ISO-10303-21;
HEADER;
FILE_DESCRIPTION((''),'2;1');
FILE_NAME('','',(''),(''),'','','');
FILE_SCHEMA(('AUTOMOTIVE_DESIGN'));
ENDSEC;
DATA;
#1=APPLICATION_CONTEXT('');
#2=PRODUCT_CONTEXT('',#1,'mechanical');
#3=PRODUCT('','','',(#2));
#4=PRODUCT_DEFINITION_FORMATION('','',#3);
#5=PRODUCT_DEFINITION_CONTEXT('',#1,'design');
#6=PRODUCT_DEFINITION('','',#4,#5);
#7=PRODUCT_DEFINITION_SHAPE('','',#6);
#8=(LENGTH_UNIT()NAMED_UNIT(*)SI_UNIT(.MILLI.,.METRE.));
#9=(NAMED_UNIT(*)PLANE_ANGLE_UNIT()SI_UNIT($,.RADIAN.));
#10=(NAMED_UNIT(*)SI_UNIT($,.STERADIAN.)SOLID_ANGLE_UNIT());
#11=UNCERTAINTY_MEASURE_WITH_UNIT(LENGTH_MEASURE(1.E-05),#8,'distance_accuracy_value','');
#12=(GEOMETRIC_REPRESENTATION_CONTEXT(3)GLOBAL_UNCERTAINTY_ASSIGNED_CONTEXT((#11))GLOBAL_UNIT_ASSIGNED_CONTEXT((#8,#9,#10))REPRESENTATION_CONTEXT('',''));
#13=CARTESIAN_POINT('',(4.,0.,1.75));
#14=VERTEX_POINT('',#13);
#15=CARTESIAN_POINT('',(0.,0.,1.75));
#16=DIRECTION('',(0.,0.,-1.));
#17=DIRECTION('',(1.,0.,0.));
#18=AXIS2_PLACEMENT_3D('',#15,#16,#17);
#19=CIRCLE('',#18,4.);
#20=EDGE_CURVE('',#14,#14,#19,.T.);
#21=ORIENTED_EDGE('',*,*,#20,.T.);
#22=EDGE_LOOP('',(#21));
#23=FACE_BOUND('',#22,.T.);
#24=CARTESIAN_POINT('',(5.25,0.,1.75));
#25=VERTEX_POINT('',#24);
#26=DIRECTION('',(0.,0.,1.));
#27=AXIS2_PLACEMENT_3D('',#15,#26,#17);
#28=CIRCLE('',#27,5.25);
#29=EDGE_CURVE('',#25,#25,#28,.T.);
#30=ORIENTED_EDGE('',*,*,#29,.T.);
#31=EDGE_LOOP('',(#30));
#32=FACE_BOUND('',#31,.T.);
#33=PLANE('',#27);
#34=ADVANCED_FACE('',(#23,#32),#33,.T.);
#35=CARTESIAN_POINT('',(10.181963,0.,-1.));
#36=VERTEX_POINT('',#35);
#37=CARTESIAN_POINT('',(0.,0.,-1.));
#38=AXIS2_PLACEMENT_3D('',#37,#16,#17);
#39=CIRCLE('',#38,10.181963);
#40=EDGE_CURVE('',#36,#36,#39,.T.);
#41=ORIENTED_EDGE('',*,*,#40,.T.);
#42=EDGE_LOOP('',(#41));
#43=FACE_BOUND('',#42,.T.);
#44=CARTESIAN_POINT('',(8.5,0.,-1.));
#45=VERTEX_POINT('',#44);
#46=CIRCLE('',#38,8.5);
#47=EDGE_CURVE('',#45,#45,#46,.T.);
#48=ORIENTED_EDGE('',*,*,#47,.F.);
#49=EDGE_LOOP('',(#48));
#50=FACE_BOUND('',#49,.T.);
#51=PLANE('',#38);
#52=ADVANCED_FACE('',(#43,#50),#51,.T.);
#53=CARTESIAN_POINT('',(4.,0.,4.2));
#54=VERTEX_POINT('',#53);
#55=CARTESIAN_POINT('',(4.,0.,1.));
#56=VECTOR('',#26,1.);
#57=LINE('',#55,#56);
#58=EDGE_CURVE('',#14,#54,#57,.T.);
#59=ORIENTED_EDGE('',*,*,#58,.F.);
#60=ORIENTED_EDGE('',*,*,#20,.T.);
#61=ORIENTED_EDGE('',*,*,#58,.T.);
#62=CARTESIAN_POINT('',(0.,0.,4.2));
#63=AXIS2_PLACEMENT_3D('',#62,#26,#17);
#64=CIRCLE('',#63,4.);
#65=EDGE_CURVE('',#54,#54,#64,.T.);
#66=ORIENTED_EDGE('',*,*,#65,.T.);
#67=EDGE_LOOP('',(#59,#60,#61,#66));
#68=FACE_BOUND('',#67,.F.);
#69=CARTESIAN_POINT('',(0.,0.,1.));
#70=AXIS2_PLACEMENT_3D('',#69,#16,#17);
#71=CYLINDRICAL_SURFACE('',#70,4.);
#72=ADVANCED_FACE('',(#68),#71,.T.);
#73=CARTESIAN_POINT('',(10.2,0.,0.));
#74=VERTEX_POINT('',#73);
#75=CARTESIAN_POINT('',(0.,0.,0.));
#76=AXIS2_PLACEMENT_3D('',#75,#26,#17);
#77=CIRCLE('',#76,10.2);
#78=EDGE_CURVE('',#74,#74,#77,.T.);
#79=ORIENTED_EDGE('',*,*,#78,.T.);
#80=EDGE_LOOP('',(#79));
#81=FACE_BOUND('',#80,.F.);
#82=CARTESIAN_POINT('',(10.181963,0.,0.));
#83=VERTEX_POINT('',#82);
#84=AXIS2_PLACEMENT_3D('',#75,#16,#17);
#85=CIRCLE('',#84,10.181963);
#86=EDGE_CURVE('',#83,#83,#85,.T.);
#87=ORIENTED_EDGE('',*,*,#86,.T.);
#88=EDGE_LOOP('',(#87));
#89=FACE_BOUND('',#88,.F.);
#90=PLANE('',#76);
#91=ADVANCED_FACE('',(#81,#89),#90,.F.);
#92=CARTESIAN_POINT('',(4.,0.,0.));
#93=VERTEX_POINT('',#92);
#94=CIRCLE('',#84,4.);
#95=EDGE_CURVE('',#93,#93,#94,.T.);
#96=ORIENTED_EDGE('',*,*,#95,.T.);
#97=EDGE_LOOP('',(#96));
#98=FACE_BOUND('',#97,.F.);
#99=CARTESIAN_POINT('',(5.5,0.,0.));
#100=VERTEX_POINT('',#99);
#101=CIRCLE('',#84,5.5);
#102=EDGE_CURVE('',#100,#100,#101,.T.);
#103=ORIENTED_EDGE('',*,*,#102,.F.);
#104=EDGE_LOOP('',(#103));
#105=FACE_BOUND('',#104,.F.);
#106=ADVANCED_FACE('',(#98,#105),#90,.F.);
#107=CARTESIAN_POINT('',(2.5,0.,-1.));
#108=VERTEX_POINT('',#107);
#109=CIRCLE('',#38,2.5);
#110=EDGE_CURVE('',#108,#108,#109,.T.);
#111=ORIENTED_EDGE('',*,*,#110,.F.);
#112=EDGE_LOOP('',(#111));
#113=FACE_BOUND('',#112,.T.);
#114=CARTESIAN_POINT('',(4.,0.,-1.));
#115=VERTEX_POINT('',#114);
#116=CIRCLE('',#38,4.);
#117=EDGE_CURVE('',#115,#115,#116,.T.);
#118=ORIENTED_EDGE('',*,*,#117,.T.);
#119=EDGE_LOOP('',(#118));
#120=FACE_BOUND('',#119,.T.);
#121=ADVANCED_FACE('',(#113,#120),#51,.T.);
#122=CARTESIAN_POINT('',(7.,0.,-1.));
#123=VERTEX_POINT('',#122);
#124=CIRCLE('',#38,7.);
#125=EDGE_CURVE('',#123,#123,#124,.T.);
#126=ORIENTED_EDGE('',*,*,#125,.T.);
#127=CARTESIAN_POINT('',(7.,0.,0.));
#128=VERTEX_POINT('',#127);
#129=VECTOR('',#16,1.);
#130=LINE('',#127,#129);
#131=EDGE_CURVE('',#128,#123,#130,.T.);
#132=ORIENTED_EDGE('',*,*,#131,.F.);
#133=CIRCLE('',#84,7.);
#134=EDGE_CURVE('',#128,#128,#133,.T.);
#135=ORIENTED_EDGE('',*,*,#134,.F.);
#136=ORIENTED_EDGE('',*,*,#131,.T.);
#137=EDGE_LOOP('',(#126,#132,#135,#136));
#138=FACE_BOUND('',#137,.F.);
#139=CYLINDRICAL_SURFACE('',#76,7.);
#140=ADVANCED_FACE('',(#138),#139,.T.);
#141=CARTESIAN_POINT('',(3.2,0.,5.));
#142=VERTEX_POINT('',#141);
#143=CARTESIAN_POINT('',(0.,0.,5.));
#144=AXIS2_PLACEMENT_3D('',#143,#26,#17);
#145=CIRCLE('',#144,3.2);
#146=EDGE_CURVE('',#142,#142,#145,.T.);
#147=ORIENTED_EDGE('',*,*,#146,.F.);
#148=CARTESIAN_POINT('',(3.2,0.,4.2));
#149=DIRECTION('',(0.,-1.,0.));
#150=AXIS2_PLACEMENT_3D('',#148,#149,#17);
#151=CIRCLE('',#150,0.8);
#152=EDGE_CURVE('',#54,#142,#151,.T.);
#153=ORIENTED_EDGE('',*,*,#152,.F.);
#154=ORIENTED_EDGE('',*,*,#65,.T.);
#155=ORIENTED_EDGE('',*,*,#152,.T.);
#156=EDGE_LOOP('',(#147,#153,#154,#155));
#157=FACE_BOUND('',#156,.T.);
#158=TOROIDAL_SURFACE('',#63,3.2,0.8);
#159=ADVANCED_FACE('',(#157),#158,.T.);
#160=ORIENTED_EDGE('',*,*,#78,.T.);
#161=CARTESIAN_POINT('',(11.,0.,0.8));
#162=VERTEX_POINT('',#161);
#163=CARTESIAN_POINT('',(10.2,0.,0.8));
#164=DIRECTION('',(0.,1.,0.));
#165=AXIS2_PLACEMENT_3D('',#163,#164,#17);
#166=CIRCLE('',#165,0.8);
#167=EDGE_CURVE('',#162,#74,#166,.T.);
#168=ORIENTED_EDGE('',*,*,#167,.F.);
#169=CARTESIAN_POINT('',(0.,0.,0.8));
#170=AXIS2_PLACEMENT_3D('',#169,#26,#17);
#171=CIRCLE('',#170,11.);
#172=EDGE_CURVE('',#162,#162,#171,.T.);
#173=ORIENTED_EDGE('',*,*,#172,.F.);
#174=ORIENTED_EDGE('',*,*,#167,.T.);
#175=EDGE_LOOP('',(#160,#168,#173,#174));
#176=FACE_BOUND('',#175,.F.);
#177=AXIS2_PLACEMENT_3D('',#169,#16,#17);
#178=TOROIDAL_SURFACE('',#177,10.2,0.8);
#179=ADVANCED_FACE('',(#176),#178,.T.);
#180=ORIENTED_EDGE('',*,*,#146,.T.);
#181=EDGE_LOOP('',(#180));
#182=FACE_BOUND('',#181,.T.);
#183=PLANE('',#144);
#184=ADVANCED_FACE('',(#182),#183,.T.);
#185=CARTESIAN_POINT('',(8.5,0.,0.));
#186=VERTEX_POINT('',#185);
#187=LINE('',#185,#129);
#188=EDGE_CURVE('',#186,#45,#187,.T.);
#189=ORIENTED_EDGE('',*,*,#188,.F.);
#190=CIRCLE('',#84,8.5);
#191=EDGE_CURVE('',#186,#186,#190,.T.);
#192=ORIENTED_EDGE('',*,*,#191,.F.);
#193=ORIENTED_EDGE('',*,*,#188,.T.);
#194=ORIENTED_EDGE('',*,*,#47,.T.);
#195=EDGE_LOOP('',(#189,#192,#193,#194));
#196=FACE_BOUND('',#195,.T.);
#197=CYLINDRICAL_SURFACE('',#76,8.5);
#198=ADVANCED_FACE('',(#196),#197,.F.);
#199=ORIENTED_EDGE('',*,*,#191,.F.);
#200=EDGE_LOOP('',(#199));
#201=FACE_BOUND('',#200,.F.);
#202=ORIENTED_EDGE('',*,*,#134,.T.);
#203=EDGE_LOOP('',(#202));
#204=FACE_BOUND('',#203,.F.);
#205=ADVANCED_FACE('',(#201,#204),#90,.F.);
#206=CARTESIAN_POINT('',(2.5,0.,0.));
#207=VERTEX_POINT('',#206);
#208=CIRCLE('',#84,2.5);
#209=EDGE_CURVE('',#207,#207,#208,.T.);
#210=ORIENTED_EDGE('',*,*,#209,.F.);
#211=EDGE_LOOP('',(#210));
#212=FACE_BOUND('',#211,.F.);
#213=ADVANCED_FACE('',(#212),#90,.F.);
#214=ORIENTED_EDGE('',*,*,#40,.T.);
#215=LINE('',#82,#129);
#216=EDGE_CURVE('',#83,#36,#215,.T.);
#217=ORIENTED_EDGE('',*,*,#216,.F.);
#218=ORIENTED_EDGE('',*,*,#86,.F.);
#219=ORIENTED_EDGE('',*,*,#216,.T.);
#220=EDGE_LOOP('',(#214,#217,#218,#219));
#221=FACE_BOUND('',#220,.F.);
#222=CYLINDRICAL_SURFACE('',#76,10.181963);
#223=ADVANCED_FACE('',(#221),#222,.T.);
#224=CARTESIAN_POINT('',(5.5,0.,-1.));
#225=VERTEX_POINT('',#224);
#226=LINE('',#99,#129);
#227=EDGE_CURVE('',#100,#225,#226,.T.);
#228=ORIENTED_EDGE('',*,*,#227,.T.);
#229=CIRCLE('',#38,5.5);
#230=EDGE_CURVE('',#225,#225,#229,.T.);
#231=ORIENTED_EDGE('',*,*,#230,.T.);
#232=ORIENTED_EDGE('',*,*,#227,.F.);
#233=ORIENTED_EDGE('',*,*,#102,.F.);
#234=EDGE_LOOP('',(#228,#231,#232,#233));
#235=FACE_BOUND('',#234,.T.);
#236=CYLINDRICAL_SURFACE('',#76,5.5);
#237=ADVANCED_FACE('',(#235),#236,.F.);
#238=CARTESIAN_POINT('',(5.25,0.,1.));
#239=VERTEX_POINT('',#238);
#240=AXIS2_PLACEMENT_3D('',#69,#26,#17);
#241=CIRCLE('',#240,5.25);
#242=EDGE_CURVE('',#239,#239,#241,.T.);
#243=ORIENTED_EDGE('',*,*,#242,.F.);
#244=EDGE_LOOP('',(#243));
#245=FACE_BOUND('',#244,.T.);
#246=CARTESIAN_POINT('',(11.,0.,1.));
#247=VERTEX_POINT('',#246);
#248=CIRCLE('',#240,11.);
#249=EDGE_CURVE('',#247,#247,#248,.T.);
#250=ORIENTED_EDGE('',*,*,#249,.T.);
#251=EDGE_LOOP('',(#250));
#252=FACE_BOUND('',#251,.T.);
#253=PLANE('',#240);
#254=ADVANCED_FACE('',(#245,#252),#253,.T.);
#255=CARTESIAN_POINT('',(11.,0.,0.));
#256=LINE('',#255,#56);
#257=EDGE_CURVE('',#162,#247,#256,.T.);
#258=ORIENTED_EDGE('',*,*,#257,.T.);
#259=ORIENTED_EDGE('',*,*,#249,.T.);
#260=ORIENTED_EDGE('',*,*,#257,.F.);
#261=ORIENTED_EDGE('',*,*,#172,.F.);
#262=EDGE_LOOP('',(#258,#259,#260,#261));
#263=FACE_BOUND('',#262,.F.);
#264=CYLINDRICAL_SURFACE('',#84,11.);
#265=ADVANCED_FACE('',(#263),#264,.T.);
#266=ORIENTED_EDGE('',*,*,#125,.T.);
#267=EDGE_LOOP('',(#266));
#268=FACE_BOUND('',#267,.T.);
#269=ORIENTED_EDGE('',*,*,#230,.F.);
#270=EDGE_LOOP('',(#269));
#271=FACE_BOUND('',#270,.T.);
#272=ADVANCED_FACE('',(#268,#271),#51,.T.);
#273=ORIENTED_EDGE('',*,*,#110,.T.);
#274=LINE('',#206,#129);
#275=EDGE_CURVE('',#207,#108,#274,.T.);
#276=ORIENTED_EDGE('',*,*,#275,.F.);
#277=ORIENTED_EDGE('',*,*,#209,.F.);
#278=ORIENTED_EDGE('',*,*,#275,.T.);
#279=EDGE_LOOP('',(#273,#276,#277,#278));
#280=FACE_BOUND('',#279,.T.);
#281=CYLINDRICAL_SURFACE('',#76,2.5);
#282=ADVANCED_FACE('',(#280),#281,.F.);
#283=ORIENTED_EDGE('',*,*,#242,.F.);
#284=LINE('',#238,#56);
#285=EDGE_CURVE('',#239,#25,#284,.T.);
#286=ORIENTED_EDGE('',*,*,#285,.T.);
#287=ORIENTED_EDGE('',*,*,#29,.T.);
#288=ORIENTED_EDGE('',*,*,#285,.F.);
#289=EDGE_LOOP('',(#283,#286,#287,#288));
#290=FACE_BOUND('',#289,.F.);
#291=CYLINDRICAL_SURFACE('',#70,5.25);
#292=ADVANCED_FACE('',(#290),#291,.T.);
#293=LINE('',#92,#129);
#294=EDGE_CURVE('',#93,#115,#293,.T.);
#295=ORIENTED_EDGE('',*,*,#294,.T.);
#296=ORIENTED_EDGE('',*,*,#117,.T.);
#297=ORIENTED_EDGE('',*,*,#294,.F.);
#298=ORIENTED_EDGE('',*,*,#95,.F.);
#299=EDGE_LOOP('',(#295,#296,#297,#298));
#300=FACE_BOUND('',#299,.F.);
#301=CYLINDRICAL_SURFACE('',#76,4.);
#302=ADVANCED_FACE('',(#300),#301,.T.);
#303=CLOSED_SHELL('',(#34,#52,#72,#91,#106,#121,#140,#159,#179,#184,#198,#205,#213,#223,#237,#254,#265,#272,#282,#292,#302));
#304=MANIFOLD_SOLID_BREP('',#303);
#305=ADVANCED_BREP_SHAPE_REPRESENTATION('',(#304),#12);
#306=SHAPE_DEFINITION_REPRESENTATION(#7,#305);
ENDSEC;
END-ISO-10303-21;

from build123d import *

# Parameters (mm, degrees)
F0_R     = 11
F1_DEPTH = 1
F2_R     = 4
F3_DEPTH = 4
F4_R     = 0.8
F5_R     = 5.25
F5_R_2   = 4
F6_DEPTH = 0.75
F7_R     = 10.1819626288
F7_R_2   = 8.5
F7_R_3   = 7
F7_R_4   = 5.5
F7_R_5   = 4
F7_R_6   = 2.5
F8_DEPTH = 1


with BuildPart() as f1:
    # F0 (on Top) → F1 (new body)
    with BuildSketch(Plane.XY):
        Circle(F0_R)
    extrude(amount=F1_DEPTH)

    # F2 (on face) → F3 (join)
    with BuildSketch(Plane.XY.offset(1)):
        Circle(F2_R)
    extrude(amount=F3_DEPTH)

    # F4
    f4_edges = [f1.edges().sort_by_distance(p)[0] for p in [
        (-11, 0, 0),
        (-4, 0, 5),
    ]]
    fillet(f4_edges, radius=F4_R)

    # F5 (on face) → F6 (join)
    with BuildSketch(Plane.XY.offset(1)):
        Circle(F5_R)
        Circle(F5_R_2, mode=Mode.SUBTRACT)
        Circle(F5_R_2)
    extrude(amount=F6_DEPTH)

    # F7 (on face) → F8 (join)
    with BuildSketch(Plane(origin=(0, 0, 0), x_dir=(1, 0, 0), z_dir=(0, 0, -1))):
        Circle(F7_R)
        Circle(F7_R_2, mode=Mode.SUBTRACT)
        Circle(F7_R_3)
        Circle(F7_R_4, mode=Mode.SUBTRACT)
        Circle(F7_R_5)
        Circle(F7_R_6, mode=Mode.SUBTRACT)
    extrude(amount=F8_DEPTH)


solid = f1.part
